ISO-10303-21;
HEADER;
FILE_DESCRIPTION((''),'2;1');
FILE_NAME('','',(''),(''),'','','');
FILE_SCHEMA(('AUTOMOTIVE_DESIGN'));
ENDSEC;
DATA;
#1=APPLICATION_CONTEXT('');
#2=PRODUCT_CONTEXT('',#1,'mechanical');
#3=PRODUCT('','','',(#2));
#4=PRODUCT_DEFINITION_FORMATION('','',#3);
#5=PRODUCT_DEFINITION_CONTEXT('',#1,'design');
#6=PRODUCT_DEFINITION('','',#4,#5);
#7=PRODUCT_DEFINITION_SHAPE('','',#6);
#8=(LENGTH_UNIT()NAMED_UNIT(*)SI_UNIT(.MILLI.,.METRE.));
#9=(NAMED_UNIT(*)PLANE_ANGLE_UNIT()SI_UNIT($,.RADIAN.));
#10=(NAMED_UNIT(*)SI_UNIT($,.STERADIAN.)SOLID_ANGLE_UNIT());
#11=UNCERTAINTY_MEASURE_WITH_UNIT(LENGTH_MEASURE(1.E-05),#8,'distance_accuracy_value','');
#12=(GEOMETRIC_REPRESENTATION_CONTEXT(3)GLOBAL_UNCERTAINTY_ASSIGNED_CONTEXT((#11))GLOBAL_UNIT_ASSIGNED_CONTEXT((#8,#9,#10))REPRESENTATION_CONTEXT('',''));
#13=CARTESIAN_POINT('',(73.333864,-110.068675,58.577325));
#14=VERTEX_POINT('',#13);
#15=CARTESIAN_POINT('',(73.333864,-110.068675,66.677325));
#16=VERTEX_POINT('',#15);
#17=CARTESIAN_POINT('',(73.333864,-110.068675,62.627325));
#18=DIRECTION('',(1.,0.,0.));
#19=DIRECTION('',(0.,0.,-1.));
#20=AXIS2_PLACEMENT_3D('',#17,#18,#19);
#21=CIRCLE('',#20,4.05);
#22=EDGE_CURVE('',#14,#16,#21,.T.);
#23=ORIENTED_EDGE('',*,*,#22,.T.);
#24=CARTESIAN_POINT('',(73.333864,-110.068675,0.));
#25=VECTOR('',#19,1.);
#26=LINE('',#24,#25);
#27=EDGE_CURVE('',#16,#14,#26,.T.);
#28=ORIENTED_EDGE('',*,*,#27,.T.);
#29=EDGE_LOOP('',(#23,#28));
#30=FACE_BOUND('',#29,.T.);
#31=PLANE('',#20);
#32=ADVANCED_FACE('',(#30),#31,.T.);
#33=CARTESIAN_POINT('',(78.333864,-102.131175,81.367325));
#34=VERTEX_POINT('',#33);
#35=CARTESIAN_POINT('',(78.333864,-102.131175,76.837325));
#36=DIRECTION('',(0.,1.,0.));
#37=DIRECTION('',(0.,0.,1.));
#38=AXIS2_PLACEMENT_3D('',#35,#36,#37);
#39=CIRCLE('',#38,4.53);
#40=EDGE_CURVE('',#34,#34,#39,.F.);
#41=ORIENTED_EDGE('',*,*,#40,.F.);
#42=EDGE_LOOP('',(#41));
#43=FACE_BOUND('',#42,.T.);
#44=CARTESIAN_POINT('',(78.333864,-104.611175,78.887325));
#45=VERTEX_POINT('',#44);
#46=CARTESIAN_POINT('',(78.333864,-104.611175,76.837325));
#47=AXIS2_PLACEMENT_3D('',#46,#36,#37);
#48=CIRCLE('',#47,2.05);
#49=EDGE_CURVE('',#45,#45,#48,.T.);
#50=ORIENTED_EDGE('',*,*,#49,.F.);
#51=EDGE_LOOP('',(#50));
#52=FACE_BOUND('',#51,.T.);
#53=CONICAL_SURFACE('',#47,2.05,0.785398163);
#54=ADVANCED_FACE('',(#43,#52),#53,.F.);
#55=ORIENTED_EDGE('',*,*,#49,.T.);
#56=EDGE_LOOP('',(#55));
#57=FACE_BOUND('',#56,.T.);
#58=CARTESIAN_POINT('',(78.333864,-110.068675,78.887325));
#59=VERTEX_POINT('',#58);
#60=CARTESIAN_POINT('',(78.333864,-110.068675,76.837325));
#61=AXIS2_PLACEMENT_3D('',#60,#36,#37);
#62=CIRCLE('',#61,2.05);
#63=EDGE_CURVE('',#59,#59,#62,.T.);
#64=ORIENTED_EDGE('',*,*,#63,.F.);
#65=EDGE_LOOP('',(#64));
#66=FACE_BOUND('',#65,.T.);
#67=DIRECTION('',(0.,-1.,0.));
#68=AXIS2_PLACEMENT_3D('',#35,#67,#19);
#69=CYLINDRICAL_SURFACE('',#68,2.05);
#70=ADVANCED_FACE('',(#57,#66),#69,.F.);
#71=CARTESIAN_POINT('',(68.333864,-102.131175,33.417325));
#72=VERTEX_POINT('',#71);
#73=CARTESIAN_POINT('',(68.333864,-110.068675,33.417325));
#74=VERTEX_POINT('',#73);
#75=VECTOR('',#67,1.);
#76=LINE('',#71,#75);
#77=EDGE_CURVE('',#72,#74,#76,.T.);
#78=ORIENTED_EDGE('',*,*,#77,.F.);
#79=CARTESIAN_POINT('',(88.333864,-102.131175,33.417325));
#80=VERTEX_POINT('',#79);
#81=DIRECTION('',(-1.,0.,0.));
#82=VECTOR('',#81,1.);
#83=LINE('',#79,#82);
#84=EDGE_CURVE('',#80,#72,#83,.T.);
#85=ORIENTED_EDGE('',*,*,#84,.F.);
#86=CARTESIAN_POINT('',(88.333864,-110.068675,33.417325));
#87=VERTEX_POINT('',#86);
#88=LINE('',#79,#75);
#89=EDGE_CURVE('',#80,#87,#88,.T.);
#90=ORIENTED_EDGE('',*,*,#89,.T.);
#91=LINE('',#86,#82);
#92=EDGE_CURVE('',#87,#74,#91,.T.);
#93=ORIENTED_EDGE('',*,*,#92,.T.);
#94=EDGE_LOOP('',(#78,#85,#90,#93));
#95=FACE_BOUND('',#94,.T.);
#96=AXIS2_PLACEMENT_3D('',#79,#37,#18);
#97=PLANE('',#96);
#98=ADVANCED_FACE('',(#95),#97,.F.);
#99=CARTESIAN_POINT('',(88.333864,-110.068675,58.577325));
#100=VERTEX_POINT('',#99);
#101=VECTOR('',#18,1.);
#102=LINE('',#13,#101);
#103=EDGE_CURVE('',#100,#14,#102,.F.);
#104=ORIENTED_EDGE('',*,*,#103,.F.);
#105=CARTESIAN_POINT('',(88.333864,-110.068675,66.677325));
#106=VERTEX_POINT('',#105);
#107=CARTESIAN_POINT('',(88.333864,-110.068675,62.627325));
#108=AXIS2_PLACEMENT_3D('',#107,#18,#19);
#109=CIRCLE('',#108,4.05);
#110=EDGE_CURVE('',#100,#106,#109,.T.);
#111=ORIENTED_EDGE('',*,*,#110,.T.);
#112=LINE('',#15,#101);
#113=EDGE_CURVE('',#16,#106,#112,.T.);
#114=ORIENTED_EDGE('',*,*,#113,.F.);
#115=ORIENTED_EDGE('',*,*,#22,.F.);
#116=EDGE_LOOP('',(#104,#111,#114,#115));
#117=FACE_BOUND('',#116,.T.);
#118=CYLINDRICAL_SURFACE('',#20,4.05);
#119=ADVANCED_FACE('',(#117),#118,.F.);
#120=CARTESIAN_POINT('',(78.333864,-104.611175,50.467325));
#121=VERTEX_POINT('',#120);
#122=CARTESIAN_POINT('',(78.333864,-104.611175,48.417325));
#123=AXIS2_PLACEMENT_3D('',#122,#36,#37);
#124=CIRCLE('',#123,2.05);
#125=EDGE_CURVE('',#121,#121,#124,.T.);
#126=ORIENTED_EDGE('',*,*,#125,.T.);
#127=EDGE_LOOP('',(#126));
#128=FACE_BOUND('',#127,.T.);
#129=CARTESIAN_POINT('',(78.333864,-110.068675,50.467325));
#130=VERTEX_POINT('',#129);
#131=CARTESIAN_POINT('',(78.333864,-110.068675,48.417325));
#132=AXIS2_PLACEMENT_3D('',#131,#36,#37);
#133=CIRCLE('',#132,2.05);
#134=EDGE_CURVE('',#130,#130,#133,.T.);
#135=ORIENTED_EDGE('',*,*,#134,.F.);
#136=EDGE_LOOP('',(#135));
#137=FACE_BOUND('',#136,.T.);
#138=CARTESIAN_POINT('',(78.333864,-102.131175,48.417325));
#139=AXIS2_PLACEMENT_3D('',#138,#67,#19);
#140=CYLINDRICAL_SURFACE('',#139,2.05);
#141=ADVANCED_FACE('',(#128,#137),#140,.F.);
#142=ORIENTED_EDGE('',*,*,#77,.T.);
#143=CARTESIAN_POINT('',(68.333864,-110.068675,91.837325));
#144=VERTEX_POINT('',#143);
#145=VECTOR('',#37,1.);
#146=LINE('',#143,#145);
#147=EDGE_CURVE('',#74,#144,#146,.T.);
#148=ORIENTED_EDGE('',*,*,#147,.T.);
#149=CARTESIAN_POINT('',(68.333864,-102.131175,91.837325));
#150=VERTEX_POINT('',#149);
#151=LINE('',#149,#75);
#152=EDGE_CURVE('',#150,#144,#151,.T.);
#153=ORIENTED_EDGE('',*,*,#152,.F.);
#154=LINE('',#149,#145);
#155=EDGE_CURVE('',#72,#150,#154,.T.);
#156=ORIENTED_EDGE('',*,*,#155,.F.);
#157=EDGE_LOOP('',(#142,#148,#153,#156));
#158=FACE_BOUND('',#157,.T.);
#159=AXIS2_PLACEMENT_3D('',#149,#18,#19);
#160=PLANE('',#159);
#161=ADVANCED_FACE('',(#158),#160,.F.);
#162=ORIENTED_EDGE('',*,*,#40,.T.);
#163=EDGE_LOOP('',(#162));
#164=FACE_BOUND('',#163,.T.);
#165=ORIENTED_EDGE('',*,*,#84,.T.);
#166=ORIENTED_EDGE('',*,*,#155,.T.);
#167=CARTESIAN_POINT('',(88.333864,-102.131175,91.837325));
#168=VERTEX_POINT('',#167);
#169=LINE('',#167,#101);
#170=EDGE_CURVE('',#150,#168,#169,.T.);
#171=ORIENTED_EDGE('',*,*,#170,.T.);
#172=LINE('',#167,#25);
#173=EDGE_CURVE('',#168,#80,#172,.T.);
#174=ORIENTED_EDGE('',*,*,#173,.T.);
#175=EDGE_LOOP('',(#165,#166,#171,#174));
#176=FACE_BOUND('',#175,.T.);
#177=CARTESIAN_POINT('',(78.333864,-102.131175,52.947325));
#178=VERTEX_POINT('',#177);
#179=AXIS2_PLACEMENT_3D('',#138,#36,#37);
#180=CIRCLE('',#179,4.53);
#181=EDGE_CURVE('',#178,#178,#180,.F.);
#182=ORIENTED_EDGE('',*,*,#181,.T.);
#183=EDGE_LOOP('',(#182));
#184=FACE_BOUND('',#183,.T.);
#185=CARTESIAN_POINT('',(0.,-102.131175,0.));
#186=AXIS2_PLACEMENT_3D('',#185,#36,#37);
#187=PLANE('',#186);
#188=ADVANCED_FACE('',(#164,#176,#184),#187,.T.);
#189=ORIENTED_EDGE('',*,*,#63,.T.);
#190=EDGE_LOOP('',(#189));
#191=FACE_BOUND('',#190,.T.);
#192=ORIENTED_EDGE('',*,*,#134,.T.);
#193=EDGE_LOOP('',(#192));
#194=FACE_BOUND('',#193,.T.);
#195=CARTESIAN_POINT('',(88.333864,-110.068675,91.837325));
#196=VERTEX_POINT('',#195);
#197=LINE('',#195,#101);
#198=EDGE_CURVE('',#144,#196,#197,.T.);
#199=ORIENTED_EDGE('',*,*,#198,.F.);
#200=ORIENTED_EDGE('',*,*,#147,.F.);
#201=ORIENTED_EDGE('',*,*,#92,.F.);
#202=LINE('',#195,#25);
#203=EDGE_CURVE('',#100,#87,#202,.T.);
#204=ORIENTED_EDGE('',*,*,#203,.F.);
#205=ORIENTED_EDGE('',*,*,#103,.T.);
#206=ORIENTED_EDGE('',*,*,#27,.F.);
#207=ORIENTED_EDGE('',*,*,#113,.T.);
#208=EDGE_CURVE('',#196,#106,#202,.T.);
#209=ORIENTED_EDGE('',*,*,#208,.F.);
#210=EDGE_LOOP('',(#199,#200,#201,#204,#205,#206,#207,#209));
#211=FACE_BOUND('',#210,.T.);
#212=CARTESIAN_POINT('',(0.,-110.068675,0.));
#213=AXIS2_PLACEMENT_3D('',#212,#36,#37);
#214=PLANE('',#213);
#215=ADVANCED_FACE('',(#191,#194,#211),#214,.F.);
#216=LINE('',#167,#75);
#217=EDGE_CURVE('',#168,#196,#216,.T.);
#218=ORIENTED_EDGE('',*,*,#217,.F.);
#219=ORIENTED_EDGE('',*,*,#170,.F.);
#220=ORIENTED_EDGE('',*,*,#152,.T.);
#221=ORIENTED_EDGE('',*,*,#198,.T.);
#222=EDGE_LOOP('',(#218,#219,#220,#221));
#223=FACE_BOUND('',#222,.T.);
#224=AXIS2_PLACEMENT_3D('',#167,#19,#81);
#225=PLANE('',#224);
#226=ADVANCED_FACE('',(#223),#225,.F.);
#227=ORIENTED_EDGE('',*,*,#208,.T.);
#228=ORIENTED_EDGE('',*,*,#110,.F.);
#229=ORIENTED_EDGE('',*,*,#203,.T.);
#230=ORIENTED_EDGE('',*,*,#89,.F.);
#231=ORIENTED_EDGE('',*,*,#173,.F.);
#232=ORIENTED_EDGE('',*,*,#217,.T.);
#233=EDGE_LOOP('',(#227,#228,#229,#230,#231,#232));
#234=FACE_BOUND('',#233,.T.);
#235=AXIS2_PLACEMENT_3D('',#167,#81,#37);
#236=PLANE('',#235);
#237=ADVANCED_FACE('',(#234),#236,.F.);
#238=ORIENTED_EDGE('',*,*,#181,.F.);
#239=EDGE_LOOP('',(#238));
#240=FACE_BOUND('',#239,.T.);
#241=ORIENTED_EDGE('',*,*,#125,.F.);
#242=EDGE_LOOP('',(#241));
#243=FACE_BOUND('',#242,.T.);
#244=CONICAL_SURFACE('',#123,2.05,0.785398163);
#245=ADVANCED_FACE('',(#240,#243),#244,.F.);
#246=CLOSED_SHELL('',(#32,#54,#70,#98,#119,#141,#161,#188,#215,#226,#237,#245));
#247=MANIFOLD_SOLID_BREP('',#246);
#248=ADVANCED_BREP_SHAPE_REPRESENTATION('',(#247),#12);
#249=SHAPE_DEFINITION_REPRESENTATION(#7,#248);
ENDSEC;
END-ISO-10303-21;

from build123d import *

# Parameters (mm, degrees)
SKETCH1_W           = 20
SKETCH1_H           = 58.42
SKETCH1_R           = 2.05
BOSS_EXTRUDE1_DEPTH = 7.9375
SKETCH2_R           = 4.05
CUT_EXTRUDE1_DEPTH  = 15
CHAMFER1_SIZE       = 2.48


with BuildPart() as part:
    # Sketch1 → Boss-Extrude1 (new body)
    with BuildSketch(Plane(origin=(0, -110.068674648, 0), x_dir=(1, 0, 0), z_dir=(0, 1, 0))):
        with Locations((78.333864278, -62.627324848)):
            Rectangle(SKETCH1_W, SKETCH1_H)
        with Locations(Location((78.333864278, -76.837324848, 0), (0, 0, 270))):
            Circle(SKETCH1_R, mode=Mode.SUBTRACT)
        with Locations(Location((78.333864278, -48.417324848, 0), (0, 0, 270))):
            Circle(SKETCH1_R, mode=Mode.SUBTRACT)
    extrude(amount=BOSS_EXTRUDE1_DEPTH)

    # Sketch2 → Cut-Extrude1 (cut)
    with BuildSketch(Plane(origin=(88.333864278, -1.5875, 4.936331956), x_dir=(0, 0, -1), z_dir=(1, 0, 0))):
        with Locations((-57.690992892, -108.481174648)):
            Circle(SKETCH2_R)
    extrude(amount=-CUT_EXTRUDE1_DEPTH, mode=Mode.SUBTRACT)

    # Chamfer1
    chamfer1_edges = [part.edges().sort_by_distance(p)[0] for p in [
        (78.333864278, -102.131174648, 74.787324848),
        (78.333864278, -102.131174648, 46.367324848),
    ]]
    chamfer(chamfer1_edges, length=CHAMFER1_SIZE)


solid = part.part
